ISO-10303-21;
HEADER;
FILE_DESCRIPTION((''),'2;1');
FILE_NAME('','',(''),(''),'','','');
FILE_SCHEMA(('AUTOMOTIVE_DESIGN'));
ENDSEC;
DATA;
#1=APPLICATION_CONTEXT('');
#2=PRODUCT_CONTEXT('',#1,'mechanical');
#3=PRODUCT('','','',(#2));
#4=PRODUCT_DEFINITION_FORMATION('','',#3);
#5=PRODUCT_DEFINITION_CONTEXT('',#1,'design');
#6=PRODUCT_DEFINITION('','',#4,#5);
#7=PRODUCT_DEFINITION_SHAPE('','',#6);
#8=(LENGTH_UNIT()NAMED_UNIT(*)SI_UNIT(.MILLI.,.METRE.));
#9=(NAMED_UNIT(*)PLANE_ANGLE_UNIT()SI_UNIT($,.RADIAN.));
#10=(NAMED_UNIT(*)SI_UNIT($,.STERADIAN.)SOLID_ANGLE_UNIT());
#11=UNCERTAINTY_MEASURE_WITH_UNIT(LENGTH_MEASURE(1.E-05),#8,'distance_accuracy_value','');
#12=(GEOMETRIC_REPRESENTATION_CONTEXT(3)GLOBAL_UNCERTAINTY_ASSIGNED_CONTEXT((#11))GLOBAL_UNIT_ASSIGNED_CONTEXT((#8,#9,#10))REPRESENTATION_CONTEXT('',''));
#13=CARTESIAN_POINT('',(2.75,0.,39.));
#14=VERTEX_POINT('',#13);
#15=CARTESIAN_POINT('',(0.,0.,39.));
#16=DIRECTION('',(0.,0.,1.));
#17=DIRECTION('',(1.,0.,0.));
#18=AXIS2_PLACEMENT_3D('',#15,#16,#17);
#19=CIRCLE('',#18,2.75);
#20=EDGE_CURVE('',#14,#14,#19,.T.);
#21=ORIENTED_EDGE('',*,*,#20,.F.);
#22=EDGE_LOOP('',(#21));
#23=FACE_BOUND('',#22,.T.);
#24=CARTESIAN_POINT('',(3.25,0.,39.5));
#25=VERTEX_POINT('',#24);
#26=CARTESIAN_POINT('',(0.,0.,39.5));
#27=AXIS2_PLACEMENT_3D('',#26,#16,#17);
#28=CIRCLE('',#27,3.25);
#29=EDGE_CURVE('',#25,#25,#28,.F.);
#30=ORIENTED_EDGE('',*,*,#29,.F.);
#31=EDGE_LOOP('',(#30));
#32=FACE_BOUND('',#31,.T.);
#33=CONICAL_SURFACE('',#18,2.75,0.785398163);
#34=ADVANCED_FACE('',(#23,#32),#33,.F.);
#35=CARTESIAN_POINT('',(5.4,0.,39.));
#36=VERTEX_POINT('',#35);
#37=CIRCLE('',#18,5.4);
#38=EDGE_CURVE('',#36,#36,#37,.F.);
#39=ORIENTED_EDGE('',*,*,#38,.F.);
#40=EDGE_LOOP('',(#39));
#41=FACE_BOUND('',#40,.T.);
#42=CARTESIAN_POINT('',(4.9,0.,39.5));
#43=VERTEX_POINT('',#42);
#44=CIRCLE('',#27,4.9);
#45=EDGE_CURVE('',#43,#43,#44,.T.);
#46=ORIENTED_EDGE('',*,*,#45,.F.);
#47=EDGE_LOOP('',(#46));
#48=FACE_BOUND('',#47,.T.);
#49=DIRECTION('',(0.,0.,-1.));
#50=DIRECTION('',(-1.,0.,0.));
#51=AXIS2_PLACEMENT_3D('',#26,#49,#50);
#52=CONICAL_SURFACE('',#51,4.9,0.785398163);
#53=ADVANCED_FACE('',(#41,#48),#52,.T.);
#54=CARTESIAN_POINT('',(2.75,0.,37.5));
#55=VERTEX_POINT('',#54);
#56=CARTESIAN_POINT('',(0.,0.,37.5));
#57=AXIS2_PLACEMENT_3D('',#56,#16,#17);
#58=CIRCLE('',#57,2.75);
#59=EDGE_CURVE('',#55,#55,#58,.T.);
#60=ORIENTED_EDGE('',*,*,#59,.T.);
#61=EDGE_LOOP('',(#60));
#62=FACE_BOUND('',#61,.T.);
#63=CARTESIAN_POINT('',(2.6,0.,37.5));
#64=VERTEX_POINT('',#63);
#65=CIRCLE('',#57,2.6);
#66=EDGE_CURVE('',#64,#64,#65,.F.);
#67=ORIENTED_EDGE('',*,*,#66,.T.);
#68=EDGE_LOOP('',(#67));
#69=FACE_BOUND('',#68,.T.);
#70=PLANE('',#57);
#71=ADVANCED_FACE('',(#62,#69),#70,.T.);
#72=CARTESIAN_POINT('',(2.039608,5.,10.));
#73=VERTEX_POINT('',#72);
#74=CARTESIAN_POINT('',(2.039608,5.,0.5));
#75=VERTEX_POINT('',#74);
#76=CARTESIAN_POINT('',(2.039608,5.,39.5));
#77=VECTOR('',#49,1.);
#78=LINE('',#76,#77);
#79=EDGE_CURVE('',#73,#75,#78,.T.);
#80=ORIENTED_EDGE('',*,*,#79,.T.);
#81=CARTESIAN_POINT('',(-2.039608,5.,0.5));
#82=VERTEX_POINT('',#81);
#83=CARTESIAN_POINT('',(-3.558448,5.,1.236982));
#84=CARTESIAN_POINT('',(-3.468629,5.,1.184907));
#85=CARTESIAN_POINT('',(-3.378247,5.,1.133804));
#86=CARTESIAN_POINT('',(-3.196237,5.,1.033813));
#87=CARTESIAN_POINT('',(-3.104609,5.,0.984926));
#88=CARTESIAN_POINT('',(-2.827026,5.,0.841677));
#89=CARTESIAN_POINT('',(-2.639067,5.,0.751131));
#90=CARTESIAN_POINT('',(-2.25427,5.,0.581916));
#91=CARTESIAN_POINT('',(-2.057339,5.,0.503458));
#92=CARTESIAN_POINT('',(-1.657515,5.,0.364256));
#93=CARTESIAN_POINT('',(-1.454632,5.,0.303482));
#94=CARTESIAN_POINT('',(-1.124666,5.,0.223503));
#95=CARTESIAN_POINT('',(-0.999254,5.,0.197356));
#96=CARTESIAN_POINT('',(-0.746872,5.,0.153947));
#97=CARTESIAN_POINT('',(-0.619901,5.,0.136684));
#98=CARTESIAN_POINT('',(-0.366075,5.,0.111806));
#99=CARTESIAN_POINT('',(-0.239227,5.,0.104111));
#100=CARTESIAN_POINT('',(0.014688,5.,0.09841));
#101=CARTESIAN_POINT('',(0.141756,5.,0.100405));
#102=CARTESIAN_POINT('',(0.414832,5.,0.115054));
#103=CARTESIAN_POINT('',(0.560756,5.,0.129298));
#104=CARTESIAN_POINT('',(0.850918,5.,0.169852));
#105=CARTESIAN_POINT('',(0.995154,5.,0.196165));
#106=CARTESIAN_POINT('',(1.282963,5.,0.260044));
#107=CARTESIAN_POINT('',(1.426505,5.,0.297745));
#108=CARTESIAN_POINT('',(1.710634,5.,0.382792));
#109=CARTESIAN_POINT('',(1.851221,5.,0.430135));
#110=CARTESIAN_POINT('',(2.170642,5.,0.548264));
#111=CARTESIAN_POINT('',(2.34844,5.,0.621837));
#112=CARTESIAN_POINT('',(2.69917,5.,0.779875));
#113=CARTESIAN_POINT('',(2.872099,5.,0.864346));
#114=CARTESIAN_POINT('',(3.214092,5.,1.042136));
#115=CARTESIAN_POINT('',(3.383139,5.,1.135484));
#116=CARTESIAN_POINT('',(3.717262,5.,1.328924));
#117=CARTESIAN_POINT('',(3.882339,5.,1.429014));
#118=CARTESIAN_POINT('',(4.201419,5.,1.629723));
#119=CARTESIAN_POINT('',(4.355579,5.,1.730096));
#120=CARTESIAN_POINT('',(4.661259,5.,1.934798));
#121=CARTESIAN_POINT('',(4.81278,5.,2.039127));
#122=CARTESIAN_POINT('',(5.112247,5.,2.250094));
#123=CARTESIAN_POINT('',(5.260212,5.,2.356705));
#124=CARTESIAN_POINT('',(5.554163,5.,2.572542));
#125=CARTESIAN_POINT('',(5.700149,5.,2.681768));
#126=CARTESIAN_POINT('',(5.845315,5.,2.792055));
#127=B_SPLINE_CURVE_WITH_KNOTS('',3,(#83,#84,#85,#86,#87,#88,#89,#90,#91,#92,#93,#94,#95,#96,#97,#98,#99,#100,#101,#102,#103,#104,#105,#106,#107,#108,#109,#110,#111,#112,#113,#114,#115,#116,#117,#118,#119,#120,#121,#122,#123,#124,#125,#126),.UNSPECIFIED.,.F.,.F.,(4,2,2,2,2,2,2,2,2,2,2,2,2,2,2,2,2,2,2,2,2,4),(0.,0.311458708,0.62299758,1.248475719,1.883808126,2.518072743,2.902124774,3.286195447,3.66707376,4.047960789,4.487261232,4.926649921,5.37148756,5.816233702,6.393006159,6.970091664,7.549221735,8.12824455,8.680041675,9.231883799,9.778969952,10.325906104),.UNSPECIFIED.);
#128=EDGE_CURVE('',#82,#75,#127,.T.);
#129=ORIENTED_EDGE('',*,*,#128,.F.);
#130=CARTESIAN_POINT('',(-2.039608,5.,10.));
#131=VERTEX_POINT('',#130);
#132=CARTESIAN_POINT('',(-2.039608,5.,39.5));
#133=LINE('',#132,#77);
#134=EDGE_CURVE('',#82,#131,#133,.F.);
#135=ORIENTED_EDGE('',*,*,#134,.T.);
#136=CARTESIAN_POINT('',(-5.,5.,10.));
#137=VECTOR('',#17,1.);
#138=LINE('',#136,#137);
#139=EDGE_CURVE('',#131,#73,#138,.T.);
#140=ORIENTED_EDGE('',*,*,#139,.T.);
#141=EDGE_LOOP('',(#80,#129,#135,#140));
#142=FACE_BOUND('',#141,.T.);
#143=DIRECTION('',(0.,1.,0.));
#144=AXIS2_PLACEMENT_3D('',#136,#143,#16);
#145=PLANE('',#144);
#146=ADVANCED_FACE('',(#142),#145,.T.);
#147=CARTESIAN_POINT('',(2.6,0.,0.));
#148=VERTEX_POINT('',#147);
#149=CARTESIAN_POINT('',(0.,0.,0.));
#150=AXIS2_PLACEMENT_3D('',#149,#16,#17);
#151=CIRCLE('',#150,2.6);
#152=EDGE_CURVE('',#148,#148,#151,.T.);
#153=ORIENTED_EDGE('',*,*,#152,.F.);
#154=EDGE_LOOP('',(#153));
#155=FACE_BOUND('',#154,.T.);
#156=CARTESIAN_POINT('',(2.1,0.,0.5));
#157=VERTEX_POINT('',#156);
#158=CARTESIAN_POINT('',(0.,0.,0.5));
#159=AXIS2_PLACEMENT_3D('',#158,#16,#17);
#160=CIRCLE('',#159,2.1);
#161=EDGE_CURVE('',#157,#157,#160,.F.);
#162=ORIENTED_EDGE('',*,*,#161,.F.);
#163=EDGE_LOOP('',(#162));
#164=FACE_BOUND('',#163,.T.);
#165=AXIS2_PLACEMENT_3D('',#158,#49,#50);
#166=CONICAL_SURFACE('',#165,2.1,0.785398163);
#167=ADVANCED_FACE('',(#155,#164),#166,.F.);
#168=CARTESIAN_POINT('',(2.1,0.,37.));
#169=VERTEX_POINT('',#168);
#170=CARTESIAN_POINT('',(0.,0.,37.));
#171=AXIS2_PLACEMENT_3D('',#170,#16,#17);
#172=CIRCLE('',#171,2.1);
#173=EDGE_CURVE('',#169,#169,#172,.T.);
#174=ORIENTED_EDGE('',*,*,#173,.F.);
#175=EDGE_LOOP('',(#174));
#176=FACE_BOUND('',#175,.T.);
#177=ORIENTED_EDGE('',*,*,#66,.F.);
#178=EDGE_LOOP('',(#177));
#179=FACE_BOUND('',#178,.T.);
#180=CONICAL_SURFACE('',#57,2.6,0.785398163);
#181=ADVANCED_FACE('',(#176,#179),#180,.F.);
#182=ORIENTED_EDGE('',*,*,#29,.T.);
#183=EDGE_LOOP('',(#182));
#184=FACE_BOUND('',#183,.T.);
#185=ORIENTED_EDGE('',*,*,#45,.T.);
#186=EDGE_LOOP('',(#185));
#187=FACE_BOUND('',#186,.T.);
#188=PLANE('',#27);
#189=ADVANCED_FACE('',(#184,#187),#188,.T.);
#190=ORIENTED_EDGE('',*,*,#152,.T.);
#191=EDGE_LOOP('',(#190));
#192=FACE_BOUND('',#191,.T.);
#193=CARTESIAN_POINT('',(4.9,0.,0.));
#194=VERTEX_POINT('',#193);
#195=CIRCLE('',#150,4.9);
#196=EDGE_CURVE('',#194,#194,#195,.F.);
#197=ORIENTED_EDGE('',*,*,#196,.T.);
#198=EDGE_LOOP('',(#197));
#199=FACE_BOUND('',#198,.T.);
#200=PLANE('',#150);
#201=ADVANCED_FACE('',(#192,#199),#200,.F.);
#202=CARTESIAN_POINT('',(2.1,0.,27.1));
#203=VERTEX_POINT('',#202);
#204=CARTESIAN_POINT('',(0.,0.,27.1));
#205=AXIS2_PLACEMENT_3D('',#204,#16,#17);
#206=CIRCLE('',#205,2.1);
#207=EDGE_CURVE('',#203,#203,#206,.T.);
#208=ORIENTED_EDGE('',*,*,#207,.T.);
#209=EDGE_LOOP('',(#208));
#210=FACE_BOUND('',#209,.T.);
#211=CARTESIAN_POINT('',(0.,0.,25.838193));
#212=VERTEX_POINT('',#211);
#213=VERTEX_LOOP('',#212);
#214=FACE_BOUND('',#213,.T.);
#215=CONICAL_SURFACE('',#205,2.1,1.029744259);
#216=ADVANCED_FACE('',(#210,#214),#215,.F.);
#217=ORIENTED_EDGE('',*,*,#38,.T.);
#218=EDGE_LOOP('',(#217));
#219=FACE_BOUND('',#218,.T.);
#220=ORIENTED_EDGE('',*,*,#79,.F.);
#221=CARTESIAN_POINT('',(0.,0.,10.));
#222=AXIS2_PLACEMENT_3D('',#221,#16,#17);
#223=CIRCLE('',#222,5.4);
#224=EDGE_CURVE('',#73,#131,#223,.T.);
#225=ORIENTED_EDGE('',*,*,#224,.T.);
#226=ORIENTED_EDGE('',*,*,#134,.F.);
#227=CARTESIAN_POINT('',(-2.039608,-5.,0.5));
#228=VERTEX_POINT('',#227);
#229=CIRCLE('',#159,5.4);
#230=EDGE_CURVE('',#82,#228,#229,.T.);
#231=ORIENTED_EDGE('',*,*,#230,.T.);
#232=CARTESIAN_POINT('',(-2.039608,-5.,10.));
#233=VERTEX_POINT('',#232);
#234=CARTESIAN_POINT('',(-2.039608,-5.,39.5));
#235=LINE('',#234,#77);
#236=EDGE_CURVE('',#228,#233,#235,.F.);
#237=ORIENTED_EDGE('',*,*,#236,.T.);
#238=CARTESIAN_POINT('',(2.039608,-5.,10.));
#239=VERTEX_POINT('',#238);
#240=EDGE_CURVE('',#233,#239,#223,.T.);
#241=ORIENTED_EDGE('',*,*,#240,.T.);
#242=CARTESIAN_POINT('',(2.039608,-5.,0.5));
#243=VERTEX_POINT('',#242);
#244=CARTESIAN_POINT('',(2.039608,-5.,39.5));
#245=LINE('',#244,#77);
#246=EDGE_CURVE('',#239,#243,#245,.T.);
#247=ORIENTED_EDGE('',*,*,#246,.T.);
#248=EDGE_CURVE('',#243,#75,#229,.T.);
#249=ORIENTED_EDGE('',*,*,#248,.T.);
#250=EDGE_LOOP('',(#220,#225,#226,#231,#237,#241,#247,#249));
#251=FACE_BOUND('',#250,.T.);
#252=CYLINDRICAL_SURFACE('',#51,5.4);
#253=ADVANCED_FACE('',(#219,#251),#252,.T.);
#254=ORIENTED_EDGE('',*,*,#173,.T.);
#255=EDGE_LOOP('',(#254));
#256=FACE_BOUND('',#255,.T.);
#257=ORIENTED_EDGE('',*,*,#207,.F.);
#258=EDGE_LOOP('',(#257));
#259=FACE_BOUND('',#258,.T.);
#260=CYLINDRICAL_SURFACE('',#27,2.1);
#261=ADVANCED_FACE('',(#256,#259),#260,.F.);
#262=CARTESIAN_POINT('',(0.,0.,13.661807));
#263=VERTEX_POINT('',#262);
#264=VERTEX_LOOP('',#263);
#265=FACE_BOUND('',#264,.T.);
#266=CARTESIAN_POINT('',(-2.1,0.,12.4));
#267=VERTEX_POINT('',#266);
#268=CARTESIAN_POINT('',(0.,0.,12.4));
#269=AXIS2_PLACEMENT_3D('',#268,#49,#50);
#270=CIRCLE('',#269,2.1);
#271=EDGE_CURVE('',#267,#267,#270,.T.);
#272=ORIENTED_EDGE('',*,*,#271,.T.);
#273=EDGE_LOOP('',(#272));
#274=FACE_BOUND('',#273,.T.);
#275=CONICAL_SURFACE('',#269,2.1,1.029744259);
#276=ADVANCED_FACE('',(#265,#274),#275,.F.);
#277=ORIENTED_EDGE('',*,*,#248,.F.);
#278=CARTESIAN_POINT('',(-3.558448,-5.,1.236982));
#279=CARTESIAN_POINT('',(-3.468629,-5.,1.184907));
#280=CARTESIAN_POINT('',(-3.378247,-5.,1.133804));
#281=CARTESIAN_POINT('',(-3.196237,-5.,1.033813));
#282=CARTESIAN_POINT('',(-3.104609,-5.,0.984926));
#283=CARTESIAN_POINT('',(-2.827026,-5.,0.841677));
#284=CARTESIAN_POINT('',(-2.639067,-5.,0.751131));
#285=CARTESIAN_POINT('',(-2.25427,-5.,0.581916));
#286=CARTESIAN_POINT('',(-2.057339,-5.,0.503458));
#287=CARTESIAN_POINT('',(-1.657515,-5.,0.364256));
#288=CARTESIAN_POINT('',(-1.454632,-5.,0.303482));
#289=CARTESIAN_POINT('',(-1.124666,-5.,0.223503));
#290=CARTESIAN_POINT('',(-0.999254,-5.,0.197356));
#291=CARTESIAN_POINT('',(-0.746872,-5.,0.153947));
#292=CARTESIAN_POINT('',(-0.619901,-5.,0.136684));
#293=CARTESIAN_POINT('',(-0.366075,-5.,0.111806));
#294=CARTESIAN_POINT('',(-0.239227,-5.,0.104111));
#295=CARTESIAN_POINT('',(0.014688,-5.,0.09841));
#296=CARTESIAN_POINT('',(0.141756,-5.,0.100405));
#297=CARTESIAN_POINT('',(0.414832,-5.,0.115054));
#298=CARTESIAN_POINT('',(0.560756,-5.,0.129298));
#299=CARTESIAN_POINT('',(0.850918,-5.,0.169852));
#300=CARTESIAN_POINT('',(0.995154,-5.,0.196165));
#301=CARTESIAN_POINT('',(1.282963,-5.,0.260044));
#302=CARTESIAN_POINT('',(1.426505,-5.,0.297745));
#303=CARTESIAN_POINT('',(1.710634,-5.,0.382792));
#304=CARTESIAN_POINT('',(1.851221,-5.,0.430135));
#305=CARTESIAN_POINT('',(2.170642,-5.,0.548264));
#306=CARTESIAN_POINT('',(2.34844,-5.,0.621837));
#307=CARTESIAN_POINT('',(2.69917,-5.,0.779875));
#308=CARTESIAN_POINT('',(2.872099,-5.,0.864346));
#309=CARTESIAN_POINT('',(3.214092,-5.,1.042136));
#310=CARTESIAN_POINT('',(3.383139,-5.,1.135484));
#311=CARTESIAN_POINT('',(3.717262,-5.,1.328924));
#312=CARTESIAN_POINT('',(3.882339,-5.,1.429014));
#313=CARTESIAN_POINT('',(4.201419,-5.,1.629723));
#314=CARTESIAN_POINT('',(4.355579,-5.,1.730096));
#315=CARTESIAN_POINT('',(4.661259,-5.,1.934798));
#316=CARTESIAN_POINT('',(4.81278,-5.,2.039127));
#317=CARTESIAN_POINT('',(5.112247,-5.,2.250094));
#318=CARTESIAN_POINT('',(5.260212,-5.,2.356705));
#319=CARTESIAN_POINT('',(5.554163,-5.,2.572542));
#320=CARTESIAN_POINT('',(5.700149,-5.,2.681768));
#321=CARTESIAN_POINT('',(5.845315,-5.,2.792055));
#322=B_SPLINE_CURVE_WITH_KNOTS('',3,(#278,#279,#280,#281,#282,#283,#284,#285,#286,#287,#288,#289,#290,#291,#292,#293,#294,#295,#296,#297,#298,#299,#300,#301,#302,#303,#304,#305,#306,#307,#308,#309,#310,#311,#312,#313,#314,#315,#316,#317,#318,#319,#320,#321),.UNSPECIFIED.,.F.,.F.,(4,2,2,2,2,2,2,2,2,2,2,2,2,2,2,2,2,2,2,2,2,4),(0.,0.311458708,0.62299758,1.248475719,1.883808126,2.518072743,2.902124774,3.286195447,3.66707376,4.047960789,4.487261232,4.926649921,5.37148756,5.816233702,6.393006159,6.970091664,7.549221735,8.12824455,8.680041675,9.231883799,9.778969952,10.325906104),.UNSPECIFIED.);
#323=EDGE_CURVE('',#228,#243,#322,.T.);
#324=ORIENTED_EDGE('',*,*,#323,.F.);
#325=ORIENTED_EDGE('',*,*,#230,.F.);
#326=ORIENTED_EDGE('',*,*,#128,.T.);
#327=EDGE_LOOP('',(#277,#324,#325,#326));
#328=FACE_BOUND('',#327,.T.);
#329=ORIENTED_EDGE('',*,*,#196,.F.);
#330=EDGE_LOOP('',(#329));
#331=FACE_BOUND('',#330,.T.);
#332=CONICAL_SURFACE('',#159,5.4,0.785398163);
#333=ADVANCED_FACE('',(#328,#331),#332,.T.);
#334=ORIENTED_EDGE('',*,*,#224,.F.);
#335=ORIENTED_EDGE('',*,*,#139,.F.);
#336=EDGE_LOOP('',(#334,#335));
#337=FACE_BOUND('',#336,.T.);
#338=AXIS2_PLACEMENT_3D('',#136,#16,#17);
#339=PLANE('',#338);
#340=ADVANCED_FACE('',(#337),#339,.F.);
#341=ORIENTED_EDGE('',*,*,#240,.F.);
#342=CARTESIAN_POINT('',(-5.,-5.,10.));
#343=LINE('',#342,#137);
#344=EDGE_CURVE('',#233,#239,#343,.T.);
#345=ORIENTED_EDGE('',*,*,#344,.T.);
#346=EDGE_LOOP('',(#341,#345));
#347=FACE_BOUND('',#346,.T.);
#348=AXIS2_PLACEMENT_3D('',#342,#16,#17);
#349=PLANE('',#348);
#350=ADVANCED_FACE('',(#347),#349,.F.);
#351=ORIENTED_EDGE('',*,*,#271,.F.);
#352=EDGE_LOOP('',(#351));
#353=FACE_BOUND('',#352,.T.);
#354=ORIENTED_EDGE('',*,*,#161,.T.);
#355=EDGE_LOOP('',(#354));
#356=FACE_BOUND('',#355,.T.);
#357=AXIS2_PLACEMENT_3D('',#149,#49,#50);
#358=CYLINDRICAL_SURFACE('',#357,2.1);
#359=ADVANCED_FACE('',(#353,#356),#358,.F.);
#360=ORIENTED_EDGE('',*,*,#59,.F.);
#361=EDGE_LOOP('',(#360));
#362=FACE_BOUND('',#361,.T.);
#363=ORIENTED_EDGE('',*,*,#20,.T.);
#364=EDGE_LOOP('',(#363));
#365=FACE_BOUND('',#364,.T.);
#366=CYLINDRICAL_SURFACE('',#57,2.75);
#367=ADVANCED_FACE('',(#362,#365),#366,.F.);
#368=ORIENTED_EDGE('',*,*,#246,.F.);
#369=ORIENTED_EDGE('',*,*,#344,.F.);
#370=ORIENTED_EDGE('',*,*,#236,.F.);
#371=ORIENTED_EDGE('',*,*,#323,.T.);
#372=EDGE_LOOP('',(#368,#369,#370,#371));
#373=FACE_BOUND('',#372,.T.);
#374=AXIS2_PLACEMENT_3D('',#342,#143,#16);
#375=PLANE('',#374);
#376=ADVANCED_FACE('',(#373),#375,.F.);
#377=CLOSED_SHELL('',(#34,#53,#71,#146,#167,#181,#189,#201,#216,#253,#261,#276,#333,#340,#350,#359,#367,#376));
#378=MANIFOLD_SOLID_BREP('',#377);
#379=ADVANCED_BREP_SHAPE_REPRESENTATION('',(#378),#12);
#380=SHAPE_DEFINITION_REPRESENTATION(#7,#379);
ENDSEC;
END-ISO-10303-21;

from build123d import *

# Parameters (mm, degrees)
SKETCH_1_R             = 5.4
EXTRUDE_1_DEPTH        = 39.5
HOLE_WIZARD_M5_2_D     = 4.2
HOLE_WIZARD_M5_2_DEPTH = 12.4
HOLE_WIZARD_M5_2_TIP   = 1.2618073
CHAMFER_2_SIZE         = 0.5
SKETCH_9_R             = 2.75
CUT_EXTRUDE_5_DEPTH    = 2
CHAMFER_3_SIZE         = 0.5
CHAMFER_4_SIZE         = 0.5
HOLE_WIZARD_M5_1_D     = 4.2
HOLE_WIZARD_M5_1_DEPTH = 12.4
HOLE_WIZARD_M5_1_TIP   = 1.2618073
CHAMFER_5_SIZE         = 0.5
SKETCH_11_W            = 10
SKETCH_11_H            = 2
CUT_EXTRUDE_6_DEPTH    = 10


with BuildPart() as part:
    # 草图1 → 拉伸1 (new body)
    with BuildSketch(Plane.XY):
        Circle(SKETCH_1_R)
    extrude(amount=EXTRUDE_1_DEPTH)

    # M5 螺纹孔2
    with Locations(Plane.XY.offset(39.5)):
        with Locations((0, 0)):
            Hole(HOLE_WIZARD_M5_2_D / 2, depth=HOLE_WIZARD_M5_2_DEPTH)
            with Locations((0, 0, -(HOLE_WIZARD_M5_2_DEPTH + HOLE_WIZARD_M5_2_TIP / 2))):  # 118° drill point
                Cone(0, HOLE_WIZARD_M5_2_D / 2, HOLE_WIZARD_M5_2_TIP, mode=Mode.SUBTRACT)

    # 倒角2
    chamfer_2_edges = [part.edges().sort_by_distance(p)[0] for p in [
        (-5.4, 0, 39.5),
    ]]
    chamfer(chamfer_2_edges, length=CHAMFER_2_SIZE)

    # 草图9 → 拉伸5 (cut)
    with BuildSketch(Plane.XY.offset(39.5)):
        Circle(SKETCH_9_R)
    extrude(amount=-CUT_EXTRUDE_5_DEPTH, mode=Mode.SUBTRACT)

    # 倒角3
    chamfer_3_edges = [part.edges().sort_by_distance(p)[0] for p in [
        (-2.75, 0, 39.5),
        (2.1, 0, 37.5),
    ]]
    chamfer(chamfer_3_edges, length=CHAMFER_3_SIZE)

    # 倒角4
    chamfer_4_edges = [part.edges().sort_by_distance(p)[0] for p in [
        (-5.4, 0, 0),
    ]]
    chamfer(chamfer_4_edges, length=CHAMFER_4_SIZE)

    # M5 螺纹孔1
    with Locations(Plane(origin=(0, 0, 0), x_dir=(-1, 0, 0), z_dir=(0, 0, -1))):
        with Locations((0, 0)):
            Hole(HOLE_WIZARD_M5_1_D / 2, depth=HOLE_WIZARD_M5_1_DEPTH)
            with Locations((0, 0, -(HOLE_WIZARD_M5_1_DEPTH + HOLE_WIZARD_M5_1_TIP / 2))):  # 118° drill point
                Cone(0, HOLE_WIZARD_M5_1_D / 2, HOLE_WIZARD_M5_1_TIP, mode=Mode.SUBTRACT)

    # 倒角5
    chamfer_5_edges = [part.edges().sort_by_distance(p)[0] for p in [
        (-2.1, 0, 0),
    ]]
    chamfer(chamfer_5_edges, length=CHAMFER_5_SIZE)

    # 草图11 → 拉伸6 (cut)
    with BuildSketch(Plane.XY):
        with Locations((0, 6)):
            Rectangle(SKETCH_11_W, SKETCH_11_H)
    cut_extrude_6 = extrude(amount=CUT_EXTRUDE_6_DEPTH, mode=Mode.SUBTRACT)

    # 镜向1: 拉伸6 across plane
    add(cut_extrude_6.mirror(Plane.ZX), mode=Mode.SUBTRACT)


solid = part.part
